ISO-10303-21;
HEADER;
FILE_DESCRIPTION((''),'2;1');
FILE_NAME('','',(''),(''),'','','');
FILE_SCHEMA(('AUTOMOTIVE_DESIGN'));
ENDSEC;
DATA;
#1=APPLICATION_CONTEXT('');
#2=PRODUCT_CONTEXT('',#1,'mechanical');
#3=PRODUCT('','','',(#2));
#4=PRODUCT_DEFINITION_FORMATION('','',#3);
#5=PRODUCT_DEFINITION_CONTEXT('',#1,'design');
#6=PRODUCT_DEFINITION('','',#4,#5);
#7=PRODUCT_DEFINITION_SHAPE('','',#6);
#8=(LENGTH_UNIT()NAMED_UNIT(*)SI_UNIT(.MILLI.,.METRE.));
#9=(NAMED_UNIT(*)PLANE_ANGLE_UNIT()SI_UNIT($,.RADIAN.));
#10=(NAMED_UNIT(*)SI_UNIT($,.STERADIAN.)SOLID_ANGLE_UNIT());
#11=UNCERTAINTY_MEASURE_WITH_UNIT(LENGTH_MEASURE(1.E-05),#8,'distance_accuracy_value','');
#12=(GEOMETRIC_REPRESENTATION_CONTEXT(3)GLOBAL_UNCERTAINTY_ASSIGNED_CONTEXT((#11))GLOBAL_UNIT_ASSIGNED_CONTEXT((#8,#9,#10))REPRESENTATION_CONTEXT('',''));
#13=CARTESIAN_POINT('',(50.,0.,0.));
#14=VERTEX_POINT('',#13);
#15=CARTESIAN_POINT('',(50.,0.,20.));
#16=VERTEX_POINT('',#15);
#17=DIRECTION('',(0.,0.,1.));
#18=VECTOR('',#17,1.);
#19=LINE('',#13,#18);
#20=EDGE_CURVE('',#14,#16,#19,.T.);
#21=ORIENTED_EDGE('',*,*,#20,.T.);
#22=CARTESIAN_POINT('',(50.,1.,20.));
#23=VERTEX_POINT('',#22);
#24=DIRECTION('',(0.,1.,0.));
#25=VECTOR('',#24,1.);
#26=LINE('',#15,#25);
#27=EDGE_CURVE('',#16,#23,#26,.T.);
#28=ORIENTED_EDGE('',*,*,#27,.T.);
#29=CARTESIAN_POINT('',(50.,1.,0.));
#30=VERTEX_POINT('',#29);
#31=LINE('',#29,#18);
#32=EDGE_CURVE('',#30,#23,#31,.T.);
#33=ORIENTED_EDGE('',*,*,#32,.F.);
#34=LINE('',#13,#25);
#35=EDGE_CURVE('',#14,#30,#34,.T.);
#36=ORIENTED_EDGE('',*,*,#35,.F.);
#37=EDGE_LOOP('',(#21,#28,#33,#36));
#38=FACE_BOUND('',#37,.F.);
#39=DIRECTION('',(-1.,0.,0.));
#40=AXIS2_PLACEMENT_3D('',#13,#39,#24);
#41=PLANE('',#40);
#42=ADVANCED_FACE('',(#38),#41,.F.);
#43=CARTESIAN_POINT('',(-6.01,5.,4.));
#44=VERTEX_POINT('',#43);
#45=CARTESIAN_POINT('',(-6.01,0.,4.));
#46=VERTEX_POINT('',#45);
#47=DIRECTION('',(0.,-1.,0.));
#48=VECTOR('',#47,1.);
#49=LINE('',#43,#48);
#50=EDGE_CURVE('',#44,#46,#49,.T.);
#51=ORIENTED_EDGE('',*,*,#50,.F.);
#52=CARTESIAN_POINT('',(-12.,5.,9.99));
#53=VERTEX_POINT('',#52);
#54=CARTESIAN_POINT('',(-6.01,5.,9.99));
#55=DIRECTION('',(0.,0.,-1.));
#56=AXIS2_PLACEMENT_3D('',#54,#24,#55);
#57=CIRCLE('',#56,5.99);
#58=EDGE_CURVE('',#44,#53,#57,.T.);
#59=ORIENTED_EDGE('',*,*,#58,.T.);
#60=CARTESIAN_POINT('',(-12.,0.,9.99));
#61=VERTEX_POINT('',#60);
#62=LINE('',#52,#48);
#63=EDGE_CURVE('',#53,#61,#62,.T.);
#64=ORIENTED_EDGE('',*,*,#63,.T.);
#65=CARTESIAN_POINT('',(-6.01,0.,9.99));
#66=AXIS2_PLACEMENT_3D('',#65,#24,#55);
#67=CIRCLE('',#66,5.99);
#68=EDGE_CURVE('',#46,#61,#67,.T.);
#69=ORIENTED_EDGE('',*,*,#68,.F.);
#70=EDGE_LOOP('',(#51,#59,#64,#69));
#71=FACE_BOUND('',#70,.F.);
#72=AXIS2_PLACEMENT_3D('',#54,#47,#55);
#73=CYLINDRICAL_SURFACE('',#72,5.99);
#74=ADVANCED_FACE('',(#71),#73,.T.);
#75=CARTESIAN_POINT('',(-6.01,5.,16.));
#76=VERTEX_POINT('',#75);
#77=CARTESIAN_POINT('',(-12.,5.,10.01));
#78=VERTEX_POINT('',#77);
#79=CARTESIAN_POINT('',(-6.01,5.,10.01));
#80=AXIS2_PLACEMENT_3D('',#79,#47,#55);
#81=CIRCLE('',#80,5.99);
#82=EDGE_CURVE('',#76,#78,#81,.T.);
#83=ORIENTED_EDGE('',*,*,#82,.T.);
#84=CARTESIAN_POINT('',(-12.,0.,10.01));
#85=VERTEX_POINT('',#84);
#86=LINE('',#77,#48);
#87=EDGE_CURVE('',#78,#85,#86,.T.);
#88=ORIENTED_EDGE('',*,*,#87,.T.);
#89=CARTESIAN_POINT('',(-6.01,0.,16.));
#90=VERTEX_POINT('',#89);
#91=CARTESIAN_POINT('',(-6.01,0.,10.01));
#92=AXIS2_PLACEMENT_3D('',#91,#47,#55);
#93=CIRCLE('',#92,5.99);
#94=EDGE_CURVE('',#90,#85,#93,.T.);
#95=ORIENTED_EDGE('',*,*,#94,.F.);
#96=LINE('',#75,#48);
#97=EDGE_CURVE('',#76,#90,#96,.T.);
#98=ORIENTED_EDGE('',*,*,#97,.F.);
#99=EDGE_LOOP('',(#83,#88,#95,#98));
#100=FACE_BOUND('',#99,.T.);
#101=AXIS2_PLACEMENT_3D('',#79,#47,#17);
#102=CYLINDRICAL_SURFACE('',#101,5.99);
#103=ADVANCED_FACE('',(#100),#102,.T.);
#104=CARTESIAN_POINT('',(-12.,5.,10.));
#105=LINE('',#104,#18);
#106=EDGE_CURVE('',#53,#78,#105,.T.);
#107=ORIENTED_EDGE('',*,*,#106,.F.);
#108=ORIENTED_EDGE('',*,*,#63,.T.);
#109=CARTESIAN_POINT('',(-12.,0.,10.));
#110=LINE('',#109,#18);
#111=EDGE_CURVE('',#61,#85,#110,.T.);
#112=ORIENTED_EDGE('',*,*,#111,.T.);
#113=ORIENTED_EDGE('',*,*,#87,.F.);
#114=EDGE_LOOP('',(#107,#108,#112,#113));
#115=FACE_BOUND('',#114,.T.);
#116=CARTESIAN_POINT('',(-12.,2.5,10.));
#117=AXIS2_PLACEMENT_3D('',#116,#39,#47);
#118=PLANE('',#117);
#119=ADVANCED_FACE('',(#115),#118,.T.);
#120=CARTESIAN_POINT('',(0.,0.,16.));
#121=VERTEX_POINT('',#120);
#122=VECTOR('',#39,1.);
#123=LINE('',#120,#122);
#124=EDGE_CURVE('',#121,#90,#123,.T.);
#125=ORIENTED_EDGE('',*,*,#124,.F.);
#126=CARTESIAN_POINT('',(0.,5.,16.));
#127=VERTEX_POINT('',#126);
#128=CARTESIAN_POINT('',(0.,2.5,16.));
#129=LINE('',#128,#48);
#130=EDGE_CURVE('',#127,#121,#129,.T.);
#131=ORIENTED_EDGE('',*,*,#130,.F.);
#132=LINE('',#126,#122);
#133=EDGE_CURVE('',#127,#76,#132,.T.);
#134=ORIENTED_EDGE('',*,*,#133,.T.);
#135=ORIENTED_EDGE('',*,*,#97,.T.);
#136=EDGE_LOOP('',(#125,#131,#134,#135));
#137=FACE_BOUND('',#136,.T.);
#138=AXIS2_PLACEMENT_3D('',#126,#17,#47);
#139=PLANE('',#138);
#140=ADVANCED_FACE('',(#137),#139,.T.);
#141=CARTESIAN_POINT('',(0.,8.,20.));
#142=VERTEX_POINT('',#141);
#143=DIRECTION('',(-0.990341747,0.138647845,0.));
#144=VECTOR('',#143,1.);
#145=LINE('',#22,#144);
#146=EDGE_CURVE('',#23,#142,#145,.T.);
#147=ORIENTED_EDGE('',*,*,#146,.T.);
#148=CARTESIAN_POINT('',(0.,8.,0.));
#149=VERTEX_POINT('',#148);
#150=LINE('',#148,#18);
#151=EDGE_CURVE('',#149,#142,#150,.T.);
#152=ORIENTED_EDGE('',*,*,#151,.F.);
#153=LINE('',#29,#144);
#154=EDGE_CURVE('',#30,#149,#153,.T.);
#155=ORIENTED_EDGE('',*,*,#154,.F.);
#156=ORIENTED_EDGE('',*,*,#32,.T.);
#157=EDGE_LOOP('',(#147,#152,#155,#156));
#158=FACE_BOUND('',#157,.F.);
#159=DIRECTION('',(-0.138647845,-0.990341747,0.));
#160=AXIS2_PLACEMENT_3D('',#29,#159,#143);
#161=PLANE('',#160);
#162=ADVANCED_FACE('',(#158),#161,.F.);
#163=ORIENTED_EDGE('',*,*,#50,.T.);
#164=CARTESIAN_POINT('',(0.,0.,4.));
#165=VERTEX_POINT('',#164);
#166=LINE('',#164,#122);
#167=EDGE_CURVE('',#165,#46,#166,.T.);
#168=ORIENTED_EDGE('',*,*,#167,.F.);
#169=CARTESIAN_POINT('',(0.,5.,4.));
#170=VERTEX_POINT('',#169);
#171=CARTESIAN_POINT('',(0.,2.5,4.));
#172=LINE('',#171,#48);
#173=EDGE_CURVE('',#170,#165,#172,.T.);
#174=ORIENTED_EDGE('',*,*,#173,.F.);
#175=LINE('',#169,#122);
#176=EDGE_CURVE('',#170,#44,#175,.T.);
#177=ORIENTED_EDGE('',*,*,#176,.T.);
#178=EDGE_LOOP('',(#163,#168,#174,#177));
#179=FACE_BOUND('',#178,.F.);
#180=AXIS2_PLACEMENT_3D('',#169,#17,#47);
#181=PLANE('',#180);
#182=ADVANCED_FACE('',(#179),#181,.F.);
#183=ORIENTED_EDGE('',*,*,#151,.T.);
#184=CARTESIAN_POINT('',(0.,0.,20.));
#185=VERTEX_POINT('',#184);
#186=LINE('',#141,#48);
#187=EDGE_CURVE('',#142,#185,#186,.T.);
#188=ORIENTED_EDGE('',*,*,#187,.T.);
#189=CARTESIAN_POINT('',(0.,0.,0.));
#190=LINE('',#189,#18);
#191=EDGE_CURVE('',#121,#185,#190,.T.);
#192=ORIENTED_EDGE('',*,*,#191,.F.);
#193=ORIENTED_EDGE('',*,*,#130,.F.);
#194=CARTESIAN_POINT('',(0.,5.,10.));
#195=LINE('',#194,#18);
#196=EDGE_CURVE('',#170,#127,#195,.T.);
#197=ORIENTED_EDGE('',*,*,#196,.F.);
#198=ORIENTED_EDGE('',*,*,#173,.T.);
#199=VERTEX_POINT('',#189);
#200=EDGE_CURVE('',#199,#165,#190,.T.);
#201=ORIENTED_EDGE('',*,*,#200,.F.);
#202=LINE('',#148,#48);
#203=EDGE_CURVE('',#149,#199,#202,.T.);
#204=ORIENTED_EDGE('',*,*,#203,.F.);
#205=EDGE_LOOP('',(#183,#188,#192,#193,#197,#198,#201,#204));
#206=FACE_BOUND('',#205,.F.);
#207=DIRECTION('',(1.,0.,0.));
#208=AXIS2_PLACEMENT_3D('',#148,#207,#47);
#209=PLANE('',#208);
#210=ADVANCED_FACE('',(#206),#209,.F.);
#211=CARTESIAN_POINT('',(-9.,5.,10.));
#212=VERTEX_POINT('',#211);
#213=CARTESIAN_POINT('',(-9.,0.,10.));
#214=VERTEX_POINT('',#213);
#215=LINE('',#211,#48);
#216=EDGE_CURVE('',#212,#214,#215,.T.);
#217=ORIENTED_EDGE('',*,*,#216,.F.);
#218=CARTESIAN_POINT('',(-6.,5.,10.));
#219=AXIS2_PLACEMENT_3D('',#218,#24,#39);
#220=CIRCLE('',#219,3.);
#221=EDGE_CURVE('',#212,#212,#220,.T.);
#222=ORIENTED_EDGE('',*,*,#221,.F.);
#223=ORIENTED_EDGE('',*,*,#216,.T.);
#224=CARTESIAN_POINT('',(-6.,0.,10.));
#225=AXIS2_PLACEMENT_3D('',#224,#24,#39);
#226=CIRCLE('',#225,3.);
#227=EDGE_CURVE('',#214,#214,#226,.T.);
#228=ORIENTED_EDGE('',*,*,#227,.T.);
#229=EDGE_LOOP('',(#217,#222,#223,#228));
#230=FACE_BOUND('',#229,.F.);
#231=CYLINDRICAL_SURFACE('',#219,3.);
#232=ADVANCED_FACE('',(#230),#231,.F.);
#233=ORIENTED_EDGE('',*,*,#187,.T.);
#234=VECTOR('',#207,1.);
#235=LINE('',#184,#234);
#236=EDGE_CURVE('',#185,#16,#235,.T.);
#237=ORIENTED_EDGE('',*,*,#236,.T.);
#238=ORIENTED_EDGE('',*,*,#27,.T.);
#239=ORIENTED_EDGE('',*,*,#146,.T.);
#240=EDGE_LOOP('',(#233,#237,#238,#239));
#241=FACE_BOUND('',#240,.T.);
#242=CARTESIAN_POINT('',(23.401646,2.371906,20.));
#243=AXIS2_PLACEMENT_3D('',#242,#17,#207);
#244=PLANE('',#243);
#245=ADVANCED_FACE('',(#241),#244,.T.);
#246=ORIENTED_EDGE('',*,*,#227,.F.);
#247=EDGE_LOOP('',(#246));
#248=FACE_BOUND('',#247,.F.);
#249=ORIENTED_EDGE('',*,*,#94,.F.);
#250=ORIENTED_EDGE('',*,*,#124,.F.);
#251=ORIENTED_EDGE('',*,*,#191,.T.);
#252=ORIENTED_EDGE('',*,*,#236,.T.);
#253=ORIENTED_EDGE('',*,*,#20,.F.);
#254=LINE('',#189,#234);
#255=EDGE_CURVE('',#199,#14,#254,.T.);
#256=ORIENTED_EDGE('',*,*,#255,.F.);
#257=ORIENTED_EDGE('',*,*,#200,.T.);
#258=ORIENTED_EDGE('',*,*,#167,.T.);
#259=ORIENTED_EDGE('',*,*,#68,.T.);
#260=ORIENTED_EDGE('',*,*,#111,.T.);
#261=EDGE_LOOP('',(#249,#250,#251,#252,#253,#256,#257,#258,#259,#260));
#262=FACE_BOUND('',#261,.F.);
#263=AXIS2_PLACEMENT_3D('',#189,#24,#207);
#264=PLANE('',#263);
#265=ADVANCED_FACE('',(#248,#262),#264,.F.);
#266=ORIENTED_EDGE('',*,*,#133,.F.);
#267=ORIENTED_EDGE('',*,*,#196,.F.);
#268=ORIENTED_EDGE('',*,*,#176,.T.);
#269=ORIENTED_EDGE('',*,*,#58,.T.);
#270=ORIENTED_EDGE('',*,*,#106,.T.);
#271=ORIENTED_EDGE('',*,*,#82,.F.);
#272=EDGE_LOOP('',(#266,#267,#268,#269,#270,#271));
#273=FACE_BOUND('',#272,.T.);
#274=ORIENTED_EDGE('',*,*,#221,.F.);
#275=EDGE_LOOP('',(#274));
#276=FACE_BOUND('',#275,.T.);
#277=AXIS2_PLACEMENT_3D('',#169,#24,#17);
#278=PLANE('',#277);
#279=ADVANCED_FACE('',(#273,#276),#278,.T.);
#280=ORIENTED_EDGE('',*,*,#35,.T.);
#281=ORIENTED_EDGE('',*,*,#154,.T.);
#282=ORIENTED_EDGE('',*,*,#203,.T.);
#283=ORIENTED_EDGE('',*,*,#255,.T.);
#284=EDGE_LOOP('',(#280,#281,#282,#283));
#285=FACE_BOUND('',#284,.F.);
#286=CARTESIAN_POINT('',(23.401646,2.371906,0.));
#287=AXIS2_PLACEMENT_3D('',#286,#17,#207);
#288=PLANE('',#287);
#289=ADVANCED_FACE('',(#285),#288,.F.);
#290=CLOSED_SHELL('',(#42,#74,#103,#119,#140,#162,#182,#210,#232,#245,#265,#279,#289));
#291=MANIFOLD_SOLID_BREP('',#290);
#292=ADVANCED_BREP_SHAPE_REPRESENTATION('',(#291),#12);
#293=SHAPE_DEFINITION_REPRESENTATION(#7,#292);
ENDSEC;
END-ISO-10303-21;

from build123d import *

# Parameters (mm, degrees)
PAD_DEPTH    = 20
SKETCH001_W  = 5
SKETCH001_H  = 12
PAD001_DEPTH = 12
FILLET_R     = 5.99
SKETCH002_R  = 3
POCKET_DEPTH = 5


with BuildPart() as part:
    # Sketch → Pad (new body)
    with BuildSketch(Plane.XY):
        Polygon((0, 0), (50, 0), (50, 1), (0, 8), align=None)
    extrude(amount=PAD_DEPTH)

    # Sketch001 → Pad001 (new body)
    with BuildSketch(Plane(origin=(0, 0, 0), x_dir=(0, -1, 0), z_dir=(-1, 0, 0))):
        with Locations((-2.5, 10)):
            Rectangle(SKETCH001_W, SKETCH001_H)
    extrude(amount=PAD001_DEPTH)

    # Fillet
    fillet_edges = [part.edges().sort_by_distance(p)[0] for p in [
        (-12, 2.5, 16),
        (-12, 2.5, 4),
    ]]
    fillet(fillet_edges, radius=FILLET_R)

    # Sketch002 → Pocket (cut)
    with BuildSketch(Plane(origin=(0, 5, 0), x_dir=(-1, 0, 0), z_dir=(0, 1, 0))):
        with Locations((6, 10)):
            Circle(SKETCH002_R)
    extrude(amount=-POCKET_DEPTH, mode=Mode.SUBTRACT)


solid = part.part
